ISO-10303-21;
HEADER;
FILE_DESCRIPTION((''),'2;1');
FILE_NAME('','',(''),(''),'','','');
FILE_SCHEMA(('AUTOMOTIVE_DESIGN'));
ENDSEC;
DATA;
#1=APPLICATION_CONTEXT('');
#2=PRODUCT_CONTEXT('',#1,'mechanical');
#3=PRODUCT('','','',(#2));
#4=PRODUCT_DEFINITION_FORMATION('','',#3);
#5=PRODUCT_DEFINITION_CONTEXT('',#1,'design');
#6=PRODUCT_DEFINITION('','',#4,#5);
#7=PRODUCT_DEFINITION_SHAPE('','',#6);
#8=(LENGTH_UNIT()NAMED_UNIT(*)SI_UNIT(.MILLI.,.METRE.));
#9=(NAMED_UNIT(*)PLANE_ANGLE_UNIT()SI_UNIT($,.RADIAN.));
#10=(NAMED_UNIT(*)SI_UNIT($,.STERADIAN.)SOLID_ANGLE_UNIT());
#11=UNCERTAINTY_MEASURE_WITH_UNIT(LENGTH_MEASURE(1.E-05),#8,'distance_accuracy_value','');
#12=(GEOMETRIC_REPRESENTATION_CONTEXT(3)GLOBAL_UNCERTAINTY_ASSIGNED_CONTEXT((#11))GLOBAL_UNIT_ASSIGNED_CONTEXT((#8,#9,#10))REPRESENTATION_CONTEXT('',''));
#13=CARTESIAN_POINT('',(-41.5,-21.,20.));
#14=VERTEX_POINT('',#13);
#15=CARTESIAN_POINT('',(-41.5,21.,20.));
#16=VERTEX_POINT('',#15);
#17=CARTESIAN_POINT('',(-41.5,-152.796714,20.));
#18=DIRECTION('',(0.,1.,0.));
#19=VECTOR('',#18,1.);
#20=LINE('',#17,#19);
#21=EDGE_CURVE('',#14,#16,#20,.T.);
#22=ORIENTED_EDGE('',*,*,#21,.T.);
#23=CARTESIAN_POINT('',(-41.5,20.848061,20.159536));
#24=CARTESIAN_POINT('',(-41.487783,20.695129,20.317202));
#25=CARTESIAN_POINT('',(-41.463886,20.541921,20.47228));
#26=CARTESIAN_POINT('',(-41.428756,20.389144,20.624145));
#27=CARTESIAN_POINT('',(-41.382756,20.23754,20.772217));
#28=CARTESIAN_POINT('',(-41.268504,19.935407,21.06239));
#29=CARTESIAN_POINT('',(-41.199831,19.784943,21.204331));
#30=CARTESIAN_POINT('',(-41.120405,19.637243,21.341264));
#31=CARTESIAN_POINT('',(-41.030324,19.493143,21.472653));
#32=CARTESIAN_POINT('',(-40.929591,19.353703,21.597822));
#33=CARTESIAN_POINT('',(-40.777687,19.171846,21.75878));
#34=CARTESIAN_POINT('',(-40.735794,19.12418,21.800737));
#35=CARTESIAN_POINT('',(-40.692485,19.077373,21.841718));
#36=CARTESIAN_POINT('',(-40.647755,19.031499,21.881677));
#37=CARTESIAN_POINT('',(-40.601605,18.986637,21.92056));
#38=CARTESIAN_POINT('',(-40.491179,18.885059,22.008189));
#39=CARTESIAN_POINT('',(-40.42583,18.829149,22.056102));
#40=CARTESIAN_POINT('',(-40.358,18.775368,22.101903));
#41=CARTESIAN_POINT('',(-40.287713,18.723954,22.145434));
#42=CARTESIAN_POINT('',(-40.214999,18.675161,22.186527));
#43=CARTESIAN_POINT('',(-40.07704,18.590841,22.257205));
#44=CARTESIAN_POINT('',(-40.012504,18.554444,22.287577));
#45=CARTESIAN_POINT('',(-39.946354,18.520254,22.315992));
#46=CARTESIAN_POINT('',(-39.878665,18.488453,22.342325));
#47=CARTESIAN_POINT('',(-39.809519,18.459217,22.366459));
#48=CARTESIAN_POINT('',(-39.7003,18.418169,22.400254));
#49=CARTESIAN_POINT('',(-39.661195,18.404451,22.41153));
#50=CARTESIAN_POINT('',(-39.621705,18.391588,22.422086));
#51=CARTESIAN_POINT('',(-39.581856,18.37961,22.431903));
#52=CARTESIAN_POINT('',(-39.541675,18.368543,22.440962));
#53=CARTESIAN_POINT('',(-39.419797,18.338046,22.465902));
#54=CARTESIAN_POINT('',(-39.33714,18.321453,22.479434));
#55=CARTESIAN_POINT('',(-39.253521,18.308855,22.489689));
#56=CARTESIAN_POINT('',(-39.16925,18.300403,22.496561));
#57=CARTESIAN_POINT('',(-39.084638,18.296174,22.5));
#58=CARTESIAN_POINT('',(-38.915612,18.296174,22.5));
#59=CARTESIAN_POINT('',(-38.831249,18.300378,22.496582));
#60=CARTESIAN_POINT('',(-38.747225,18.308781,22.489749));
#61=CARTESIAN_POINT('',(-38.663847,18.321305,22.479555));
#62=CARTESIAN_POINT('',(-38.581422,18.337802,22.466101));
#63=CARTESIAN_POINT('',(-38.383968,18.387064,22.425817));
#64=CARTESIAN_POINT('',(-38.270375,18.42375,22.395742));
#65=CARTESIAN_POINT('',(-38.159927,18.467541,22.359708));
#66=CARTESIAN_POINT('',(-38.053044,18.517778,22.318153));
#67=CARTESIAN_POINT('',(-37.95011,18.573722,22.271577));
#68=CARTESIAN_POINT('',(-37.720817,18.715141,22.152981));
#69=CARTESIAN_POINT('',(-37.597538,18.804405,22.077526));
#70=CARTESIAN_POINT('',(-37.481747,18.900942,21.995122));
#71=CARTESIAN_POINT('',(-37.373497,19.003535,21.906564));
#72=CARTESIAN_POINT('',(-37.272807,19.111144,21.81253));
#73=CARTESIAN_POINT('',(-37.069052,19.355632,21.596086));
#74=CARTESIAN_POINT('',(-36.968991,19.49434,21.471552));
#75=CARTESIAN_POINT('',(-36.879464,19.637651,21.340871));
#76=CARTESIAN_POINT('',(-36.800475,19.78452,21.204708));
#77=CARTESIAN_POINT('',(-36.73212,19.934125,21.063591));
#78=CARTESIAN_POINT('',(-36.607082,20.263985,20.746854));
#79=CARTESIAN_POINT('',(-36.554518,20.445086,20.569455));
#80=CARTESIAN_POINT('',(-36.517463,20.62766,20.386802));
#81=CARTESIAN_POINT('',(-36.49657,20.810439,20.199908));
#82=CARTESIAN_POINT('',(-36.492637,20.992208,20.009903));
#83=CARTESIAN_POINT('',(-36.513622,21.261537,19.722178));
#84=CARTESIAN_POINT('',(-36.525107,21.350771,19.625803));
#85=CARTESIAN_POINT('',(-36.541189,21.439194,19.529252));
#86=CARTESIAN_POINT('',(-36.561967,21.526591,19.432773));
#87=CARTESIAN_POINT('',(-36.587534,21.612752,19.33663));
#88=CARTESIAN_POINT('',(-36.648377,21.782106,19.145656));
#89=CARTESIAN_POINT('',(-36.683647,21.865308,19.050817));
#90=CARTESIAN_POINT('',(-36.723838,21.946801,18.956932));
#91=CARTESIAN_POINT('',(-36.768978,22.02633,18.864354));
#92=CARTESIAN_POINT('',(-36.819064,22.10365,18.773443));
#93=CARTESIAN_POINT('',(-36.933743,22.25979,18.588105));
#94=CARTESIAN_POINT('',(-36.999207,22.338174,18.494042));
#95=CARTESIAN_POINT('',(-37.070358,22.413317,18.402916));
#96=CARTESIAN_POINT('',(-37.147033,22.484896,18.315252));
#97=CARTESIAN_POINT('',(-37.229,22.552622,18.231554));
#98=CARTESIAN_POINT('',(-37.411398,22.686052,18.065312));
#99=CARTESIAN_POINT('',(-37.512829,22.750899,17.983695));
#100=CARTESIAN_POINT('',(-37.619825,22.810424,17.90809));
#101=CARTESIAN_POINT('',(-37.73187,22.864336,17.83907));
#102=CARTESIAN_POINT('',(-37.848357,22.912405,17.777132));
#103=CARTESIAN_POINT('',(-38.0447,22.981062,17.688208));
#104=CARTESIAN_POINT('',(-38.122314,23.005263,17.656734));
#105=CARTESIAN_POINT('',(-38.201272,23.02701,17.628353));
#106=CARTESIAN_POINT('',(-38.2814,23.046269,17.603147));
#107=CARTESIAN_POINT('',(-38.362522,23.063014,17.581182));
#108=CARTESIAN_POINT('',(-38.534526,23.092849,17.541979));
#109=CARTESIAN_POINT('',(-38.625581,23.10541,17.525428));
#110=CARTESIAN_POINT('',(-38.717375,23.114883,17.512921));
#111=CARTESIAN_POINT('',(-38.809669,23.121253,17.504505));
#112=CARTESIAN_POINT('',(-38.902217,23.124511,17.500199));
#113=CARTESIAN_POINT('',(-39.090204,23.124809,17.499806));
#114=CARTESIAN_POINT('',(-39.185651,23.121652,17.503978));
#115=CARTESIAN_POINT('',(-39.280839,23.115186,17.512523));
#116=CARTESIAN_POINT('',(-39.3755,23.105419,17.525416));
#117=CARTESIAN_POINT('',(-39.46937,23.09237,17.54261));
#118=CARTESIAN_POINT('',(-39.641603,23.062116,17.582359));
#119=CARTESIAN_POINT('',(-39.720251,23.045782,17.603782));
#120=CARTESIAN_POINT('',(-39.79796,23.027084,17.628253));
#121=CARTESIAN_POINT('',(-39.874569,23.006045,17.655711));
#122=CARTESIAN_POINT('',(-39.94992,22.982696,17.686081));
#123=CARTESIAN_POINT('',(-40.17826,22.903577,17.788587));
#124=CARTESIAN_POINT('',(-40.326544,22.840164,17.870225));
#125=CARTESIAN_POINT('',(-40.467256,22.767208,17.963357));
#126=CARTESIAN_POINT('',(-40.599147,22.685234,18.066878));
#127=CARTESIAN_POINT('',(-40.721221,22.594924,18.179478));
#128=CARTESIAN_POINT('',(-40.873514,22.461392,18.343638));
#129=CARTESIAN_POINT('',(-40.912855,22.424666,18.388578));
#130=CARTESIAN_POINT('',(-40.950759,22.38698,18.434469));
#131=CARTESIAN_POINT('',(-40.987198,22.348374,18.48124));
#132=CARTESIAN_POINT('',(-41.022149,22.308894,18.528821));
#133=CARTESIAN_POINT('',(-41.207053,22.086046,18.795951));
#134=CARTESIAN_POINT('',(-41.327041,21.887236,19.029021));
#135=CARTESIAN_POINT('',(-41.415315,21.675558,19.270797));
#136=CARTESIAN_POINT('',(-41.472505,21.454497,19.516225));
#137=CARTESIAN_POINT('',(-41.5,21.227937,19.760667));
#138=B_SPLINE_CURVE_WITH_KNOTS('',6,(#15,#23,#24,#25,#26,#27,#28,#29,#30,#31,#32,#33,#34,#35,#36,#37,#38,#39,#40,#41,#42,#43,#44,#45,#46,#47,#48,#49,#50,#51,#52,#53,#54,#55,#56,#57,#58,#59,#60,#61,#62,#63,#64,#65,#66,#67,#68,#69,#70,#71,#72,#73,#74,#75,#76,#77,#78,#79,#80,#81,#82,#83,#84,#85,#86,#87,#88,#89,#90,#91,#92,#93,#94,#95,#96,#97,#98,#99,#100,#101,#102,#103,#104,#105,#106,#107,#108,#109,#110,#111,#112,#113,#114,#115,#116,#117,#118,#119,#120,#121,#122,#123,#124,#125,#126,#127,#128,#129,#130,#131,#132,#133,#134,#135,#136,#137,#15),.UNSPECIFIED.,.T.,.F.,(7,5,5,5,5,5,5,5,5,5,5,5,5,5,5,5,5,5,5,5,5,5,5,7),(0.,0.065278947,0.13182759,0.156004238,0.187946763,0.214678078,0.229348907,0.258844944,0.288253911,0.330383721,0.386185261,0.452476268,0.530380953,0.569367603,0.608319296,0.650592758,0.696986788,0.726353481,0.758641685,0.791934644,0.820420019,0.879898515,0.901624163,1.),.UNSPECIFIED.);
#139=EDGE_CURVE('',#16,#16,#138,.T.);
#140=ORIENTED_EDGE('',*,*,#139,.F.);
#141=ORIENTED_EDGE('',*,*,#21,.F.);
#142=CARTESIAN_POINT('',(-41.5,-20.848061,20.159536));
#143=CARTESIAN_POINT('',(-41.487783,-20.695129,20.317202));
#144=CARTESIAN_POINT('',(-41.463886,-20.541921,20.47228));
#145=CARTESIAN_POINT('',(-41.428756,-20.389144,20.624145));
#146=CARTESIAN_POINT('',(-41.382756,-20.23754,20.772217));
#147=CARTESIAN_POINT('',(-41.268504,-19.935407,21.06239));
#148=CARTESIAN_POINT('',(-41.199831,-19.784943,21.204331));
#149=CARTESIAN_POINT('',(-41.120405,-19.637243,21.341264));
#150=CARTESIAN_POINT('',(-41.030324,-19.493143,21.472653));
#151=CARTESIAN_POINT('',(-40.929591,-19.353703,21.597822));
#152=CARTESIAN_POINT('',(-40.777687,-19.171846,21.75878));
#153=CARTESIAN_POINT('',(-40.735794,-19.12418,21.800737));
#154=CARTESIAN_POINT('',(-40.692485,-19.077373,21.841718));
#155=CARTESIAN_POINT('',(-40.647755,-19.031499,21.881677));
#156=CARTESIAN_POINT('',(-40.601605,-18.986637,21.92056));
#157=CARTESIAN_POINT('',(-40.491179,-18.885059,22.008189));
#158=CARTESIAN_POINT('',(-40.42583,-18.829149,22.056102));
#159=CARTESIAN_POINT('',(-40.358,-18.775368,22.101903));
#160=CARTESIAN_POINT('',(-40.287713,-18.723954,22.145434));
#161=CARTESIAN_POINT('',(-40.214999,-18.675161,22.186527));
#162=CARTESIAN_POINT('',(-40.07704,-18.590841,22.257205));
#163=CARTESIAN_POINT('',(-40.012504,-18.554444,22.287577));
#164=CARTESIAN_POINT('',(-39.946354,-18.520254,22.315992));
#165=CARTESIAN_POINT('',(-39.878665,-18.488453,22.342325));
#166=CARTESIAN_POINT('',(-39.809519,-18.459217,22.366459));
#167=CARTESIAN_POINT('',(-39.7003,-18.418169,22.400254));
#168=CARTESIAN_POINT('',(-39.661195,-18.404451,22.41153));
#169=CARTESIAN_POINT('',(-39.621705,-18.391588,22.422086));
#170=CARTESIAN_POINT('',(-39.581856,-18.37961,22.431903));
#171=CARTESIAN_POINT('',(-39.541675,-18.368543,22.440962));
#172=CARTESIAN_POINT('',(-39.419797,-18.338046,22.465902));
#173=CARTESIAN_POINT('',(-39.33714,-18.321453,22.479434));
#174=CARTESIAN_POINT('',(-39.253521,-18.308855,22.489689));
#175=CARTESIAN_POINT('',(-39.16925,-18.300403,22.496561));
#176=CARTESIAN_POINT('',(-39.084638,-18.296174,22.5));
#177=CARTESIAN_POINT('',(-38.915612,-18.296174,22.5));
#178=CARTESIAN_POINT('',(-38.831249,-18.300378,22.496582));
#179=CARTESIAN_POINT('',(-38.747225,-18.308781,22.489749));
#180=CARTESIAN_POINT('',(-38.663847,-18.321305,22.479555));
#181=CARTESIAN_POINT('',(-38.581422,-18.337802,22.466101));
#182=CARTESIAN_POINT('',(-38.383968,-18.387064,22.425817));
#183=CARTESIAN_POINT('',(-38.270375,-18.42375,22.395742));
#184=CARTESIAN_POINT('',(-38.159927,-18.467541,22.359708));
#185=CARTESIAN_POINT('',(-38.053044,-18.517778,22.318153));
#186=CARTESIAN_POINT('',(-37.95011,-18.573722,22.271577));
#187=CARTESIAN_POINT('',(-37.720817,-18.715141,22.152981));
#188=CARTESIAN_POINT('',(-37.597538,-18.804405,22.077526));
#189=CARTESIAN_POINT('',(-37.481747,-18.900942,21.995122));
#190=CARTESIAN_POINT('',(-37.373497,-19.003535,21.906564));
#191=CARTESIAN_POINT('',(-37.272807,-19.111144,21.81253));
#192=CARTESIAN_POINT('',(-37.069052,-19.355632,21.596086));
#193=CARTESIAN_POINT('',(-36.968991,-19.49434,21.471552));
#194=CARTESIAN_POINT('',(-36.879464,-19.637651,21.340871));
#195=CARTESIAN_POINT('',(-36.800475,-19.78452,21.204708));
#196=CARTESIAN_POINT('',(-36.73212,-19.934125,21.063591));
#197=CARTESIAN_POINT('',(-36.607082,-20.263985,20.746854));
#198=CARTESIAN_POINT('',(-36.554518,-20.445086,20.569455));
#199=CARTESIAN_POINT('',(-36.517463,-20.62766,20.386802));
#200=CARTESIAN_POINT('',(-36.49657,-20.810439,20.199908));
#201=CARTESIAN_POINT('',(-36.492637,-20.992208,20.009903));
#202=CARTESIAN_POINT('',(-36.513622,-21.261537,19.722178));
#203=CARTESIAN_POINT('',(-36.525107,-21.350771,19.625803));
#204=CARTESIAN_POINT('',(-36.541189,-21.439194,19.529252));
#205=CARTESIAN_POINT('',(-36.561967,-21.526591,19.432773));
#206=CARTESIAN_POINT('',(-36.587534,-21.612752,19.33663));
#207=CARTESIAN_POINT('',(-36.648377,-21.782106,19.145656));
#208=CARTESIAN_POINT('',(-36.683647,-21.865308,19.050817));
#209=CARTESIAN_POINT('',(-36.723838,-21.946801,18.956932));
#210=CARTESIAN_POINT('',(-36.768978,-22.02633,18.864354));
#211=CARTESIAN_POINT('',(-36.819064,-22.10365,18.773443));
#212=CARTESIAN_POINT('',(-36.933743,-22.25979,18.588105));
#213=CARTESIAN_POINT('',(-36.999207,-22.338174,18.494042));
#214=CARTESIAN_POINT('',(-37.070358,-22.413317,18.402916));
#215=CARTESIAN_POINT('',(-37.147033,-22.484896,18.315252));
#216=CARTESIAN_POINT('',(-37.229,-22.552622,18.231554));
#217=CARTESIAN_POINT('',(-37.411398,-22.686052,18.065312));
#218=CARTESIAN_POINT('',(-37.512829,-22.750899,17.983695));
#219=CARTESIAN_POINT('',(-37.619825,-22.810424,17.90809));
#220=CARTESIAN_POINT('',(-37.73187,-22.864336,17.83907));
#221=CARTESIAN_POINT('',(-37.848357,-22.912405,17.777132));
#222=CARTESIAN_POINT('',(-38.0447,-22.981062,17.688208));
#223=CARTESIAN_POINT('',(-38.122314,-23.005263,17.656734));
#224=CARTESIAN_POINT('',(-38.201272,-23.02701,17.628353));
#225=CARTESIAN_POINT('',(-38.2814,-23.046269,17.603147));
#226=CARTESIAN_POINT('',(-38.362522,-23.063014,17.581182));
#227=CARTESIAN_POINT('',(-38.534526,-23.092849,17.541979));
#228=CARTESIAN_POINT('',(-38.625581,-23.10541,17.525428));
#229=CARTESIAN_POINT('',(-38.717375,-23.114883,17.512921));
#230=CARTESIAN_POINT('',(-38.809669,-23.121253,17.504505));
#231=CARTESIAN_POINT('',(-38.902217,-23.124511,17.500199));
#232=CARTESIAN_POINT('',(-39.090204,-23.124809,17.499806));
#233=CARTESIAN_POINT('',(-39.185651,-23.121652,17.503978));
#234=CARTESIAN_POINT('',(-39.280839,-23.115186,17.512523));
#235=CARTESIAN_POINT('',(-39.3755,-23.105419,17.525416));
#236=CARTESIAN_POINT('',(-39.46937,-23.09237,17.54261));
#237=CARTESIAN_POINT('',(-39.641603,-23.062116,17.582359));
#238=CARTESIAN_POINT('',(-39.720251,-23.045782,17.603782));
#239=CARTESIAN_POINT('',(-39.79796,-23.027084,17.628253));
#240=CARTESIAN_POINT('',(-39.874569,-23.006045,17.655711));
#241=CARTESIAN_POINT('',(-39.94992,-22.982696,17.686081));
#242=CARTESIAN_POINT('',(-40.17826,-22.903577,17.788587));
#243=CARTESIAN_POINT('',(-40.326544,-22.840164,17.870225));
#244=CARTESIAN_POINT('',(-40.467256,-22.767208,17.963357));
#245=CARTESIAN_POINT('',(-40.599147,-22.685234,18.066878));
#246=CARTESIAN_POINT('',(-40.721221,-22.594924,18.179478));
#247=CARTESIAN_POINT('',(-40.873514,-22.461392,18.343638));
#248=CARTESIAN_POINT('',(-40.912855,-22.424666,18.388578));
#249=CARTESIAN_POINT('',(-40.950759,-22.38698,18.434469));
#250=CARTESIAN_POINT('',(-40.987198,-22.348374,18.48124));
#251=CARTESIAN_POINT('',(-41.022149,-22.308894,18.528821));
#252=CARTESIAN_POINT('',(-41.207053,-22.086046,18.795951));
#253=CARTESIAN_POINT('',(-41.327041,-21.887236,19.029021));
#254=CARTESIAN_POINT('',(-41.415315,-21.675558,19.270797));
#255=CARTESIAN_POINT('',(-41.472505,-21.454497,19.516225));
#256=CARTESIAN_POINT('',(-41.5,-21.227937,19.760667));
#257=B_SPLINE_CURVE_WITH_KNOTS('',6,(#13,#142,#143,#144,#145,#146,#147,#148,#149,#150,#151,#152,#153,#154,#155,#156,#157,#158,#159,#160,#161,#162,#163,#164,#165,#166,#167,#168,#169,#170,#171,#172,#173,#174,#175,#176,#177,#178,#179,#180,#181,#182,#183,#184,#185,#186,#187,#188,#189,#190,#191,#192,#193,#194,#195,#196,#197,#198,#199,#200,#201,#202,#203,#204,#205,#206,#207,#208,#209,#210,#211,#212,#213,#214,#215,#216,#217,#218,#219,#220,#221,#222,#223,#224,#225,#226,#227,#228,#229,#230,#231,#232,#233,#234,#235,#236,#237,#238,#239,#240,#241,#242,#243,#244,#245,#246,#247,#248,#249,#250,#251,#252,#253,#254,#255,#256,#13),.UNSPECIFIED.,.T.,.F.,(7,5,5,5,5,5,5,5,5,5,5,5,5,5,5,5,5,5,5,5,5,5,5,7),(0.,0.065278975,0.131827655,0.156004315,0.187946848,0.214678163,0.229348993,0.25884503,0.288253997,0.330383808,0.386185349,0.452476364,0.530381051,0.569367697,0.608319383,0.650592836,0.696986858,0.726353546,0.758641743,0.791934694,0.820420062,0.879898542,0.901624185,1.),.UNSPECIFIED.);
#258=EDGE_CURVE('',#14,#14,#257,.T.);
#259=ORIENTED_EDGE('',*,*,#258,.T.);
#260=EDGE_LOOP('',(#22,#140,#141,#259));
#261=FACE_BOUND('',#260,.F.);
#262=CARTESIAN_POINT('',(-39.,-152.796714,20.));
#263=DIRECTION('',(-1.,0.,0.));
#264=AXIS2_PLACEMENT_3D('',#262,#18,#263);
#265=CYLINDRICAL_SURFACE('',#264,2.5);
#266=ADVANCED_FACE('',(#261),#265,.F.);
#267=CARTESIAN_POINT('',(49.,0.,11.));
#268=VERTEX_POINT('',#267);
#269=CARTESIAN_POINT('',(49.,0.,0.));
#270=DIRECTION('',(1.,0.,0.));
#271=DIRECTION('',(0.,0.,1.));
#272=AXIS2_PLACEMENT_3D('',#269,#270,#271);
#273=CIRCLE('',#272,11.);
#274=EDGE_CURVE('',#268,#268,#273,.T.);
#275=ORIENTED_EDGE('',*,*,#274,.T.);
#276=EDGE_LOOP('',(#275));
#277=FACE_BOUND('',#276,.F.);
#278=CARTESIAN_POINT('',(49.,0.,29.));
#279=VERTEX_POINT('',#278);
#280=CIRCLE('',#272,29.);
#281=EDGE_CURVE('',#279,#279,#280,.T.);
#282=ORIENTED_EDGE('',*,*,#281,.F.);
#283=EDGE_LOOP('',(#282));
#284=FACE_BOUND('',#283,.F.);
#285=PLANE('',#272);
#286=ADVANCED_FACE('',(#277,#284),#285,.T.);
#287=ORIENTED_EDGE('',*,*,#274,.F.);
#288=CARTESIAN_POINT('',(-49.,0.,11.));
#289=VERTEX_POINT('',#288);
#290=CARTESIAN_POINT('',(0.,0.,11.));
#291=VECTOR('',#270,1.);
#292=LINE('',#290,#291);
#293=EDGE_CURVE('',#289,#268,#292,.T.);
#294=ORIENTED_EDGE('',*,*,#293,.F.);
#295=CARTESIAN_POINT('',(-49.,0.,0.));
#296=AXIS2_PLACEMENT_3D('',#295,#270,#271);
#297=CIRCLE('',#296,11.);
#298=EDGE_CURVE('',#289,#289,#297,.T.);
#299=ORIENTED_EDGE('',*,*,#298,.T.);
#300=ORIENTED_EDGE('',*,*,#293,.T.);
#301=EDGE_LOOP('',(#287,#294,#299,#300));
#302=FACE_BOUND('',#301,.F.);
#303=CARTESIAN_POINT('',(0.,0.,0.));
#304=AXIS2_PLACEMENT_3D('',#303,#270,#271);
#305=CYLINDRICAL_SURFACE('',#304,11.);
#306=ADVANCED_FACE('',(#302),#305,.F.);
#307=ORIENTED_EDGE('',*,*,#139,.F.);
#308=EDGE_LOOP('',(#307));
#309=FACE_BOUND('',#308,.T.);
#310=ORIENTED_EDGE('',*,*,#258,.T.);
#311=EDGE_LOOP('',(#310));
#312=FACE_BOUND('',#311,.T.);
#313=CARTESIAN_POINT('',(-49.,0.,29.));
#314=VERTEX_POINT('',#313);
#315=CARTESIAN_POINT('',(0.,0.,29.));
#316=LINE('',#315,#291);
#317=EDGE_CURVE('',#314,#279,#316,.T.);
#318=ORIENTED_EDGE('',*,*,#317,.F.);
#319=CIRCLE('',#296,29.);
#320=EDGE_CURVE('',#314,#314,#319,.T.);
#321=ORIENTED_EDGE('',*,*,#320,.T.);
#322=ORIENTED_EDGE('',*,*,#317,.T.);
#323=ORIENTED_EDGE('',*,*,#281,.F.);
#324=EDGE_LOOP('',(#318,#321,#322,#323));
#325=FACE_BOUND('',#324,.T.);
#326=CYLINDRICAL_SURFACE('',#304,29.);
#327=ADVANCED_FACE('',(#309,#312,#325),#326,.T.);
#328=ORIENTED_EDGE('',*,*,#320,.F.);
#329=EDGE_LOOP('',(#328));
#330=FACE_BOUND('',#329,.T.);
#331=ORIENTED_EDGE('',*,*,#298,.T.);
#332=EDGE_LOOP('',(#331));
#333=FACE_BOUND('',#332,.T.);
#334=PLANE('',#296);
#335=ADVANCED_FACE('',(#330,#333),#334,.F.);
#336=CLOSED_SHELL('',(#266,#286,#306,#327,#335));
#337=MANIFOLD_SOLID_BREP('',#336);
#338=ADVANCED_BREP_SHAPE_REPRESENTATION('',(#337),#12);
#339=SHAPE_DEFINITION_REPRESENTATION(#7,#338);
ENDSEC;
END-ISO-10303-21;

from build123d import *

# Parameters (mm, degrees)
F0_W = 98
F0_H = 18
F4_D = 5


with BuildPart() as f1:
    # F0 (on Front) → F1 (revolve)
    with BuildSketch(Plane.XZ):
        with Locations((0, 20)):
            Rectangle(F0_W, F0_H)
    revolve(axis=Axis((28.6287, 0, 0), (1, 0, 0)))

    # F4 (through all)
    with Locations(Plane.XZ.offset(25)):
        with Locations((-39, 20)):
            Hole(F4_D / 2)


solid = f1.part
